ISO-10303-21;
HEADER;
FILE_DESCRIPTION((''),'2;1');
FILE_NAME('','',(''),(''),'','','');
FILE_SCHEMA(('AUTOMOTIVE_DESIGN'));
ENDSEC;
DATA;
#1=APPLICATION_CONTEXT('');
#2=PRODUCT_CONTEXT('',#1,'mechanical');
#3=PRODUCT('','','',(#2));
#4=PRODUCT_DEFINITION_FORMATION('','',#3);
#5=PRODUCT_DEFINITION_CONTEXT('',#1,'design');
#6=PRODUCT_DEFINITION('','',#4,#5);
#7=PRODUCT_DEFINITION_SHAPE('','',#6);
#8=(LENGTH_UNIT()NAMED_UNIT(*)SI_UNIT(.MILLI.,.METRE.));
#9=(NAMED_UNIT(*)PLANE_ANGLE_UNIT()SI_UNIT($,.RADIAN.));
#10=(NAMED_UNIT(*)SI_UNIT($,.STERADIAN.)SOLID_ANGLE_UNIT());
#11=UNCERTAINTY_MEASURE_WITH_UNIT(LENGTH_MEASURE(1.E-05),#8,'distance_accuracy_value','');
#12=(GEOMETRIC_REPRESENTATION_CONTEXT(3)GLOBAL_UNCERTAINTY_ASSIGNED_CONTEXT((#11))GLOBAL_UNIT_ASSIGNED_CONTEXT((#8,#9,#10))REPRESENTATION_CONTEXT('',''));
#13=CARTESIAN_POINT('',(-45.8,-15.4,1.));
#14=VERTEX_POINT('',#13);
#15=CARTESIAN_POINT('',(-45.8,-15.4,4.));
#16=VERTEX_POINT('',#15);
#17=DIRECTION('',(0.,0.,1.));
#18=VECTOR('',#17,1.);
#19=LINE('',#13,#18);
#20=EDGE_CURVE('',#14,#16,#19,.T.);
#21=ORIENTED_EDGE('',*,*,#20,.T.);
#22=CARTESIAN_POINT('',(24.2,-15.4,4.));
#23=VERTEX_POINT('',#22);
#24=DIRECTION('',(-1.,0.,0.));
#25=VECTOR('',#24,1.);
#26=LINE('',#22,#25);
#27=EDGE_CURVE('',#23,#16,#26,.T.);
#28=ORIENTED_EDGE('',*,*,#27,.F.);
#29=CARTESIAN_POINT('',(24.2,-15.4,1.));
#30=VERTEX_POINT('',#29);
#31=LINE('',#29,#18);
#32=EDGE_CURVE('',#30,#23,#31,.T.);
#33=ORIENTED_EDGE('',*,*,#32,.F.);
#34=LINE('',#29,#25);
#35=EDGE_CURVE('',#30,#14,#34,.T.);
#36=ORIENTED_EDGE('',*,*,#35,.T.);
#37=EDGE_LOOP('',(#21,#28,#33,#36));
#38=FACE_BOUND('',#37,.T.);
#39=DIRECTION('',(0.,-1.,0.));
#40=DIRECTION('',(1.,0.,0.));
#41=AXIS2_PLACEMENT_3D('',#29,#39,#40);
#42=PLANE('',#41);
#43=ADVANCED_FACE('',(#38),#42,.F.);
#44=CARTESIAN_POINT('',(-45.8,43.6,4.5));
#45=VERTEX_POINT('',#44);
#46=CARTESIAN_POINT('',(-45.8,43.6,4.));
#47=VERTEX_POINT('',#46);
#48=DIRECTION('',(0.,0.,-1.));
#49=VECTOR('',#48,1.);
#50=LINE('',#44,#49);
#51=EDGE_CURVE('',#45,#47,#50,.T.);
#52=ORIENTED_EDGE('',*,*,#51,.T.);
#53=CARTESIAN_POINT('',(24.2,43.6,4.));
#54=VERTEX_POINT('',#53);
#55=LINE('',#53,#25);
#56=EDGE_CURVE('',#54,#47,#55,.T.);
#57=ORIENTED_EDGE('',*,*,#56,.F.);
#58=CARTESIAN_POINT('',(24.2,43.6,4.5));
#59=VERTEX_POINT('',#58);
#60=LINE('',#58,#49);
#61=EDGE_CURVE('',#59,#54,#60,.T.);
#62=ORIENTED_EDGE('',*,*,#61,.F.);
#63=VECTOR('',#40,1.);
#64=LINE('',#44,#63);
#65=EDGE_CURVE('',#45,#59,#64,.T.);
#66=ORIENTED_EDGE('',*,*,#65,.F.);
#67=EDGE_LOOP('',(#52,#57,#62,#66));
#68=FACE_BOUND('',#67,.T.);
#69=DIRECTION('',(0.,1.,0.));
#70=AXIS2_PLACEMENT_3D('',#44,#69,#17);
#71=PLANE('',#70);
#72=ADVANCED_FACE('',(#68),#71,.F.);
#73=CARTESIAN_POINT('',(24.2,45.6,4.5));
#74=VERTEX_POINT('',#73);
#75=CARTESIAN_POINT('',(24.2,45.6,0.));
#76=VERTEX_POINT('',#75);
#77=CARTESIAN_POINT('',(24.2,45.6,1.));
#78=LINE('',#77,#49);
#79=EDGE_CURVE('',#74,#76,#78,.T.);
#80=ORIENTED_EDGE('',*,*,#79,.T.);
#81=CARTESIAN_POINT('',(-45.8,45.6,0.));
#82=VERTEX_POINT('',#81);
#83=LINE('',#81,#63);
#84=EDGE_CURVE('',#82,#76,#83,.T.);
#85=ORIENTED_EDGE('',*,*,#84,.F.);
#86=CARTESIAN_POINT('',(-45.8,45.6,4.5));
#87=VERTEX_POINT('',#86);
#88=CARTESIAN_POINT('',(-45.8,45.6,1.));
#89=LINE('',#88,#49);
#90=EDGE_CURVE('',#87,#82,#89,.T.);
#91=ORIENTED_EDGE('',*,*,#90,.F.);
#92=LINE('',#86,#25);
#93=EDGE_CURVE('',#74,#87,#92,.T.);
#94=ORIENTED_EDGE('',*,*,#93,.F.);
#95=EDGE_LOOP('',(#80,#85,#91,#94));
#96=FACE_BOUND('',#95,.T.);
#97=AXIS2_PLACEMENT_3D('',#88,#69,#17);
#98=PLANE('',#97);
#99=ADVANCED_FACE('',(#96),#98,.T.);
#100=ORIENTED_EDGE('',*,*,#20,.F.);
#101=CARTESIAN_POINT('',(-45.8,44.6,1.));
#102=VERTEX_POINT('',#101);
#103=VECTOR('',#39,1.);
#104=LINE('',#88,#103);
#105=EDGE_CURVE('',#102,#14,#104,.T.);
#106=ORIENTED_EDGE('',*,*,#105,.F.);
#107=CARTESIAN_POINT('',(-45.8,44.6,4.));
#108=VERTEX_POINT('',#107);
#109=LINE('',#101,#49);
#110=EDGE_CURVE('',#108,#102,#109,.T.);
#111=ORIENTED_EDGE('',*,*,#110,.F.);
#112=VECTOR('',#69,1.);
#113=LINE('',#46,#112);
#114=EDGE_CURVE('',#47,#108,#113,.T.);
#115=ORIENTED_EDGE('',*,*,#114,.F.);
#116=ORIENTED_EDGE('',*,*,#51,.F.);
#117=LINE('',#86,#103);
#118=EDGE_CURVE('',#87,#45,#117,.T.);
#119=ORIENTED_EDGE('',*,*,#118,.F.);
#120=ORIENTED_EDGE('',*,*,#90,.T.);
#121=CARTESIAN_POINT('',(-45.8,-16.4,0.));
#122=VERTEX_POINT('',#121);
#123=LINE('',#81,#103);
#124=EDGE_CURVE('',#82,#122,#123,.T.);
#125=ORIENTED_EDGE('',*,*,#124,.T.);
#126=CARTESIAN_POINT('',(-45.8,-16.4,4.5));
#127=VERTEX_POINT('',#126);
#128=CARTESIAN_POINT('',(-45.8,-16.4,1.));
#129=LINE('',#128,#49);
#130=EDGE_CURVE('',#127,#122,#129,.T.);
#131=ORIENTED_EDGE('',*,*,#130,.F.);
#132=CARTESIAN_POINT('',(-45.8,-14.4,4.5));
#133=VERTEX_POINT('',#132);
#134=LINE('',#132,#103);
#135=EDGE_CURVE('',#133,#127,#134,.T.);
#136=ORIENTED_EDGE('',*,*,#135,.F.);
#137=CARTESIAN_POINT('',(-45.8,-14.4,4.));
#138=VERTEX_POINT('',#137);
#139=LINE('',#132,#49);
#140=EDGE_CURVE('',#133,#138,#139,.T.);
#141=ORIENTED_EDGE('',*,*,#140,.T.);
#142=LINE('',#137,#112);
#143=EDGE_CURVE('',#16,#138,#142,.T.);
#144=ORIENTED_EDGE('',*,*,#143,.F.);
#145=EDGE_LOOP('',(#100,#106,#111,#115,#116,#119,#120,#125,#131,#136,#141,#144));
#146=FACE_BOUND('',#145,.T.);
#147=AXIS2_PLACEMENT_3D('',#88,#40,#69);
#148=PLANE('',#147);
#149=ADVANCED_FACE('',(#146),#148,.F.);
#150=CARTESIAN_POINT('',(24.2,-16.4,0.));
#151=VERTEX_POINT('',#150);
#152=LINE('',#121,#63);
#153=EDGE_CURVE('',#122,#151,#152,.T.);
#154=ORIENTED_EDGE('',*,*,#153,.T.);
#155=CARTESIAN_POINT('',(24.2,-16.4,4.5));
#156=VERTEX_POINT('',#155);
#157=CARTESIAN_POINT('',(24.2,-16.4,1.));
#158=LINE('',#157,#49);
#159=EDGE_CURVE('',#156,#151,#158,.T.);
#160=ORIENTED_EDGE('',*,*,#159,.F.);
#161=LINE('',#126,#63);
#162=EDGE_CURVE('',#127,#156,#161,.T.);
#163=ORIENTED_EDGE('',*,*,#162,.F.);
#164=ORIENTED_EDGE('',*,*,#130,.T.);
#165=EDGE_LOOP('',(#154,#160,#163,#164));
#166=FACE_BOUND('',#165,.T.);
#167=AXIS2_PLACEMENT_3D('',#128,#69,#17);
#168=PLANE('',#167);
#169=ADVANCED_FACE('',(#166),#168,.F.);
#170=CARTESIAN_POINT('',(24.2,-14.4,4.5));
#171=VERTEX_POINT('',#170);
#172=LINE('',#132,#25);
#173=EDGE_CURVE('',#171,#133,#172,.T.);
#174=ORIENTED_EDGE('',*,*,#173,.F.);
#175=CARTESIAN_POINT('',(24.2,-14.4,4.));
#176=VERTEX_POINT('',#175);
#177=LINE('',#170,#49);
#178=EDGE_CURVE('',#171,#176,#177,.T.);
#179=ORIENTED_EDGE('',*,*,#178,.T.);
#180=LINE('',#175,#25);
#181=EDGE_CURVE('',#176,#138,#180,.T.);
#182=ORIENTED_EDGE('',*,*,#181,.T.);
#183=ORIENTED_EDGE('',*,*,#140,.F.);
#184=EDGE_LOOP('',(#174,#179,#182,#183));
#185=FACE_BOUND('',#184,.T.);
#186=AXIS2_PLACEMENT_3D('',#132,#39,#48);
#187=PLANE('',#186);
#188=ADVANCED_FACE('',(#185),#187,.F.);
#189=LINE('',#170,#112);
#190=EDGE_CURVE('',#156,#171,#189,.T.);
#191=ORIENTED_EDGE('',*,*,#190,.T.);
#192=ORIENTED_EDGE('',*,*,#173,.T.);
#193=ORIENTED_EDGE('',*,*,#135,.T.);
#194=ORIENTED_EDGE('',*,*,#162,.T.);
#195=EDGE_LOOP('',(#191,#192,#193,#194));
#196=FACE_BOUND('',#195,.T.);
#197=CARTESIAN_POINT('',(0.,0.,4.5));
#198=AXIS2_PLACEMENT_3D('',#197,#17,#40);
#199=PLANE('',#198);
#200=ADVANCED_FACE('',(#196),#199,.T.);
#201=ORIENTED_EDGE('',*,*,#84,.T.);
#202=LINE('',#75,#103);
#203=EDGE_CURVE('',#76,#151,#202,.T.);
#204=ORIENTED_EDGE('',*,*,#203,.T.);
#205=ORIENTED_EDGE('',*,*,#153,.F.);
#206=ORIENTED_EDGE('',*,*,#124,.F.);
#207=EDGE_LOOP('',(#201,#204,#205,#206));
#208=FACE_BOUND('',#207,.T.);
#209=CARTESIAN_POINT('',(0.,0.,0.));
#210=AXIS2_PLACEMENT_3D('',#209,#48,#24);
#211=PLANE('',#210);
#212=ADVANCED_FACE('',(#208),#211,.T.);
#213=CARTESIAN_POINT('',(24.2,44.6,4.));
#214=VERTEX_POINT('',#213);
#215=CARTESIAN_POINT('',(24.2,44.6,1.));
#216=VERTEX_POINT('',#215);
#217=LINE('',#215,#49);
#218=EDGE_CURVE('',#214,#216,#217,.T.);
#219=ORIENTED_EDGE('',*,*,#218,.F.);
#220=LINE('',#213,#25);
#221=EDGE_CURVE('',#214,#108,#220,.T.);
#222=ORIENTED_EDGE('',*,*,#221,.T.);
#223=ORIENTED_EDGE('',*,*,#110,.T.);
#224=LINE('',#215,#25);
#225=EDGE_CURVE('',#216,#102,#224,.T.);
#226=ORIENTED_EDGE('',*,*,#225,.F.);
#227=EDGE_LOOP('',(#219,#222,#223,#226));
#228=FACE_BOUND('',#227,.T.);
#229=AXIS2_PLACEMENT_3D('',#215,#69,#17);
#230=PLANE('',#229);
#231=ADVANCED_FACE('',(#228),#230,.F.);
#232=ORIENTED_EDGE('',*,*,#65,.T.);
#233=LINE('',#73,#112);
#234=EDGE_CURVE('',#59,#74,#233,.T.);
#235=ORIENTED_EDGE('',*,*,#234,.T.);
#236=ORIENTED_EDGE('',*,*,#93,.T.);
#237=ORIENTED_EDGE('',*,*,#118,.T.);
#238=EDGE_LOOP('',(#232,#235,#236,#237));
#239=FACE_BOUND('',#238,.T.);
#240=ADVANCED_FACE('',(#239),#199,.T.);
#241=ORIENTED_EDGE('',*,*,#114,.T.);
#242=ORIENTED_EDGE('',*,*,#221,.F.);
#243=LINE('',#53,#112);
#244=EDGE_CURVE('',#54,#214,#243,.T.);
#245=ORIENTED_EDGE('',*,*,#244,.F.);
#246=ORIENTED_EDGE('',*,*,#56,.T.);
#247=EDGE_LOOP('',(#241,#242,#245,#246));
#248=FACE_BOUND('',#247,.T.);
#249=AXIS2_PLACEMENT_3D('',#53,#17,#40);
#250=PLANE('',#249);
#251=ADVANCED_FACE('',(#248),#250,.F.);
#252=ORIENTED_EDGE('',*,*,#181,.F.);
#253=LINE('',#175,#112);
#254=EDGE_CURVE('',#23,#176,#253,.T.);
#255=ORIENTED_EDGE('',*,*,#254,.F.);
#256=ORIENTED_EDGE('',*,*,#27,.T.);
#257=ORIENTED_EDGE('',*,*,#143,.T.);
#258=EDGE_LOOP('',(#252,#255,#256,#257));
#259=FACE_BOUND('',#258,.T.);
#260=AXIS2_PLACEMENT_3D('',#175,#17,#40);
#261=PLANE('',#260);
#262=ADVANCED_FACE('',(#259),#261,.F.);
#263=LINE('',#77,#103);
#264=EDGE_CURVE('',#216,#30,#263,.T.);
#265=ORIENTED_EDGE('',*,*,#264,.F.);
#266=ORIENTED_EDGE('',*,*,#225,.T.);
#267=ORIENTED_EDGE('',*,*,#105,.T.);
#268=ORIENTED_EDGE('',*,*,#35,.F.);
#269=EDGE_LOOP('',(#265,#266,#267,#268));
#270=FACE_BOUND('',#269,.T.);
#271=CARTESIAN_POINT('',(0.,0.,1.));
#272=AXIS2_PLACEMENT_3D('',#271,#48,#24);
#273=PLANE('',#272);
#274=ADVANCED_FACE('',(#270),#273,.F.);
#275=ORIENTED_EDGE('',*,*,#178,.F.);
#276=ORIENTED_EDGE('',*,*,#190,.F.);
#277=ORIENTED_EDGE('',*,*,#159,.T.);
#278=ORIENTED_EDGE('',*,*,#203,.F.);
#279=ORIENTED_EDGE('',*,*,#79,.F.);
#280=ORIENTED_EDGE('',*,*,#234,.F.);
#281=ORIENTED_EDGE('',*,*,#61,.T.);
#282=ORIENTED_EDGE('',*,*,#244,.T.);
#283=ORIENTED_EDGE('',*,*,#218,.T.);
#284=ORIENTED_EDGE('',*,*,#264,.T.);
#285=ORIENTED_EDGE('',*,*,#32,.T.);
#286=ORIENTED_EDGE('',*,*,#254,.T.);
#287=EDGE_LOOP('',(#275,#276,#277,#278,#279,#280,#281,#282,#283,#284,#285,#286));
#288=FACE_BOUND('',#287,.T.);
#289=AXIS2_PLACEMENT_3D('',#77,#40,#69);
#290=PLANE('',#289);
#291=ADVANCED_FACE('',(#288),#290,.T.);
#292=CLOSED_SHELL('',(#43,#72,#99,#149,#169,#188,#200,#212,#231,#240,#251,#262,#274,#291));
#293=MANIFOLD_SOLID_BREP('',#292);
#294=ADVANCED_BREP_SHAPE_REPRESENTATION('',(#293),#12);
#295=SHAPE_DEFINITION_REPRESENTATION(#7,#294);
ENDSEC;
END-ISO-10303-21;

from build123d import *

# Parameters (mm, degrees)
SKETCH_1_W          = 70
SKETCH_1_H          = 62
EXTRUDE_1_DEPTH     = 1
SKETCH_2_W          = 70
SKETCH_2_H          = 2
EXTRUDE_2_DEPTH     = 3.5
SKETCH_6_W          = 3
SKETCH_6_H          = 1
CUT_EXTRUDE_1_DEPTH = 71


with BuildPart() as part:
    # 草图1 → 凸台-拉伸1 (new body)
    with BuildSketch(Plane.XY):
        with Locations((-10.8, 14.6)):
            Rectangle(SKETCH_1_W, SKETCH_1_H)
    extrude(amount=EXTRUDE_1_DEPTH)

    # 草图2 → 凸台-拉伸2 (add)
    with BuildSketch(Plane.XY.offset(1)):
        with Locations((-10.8, 44.6)):
            Rectangle(SKETCH_2_W, SKETCH_2_H)
        with Locations((-10.8, -15.4)):
            Rectangle(SKETCH_2_W, SKETCH_2_H)
    extrude(amount=EXTRUDE_2_DEPTH)

    # 草图6 → 切除-拉伸1 (cut, through all)
    with BuildSketch(Plane.ZY.offset(45.8)):
        with Locations((2.5, 44.1)):
            Rectangle(SKETCH_6_W, SKETCH_6_H)
        with Locations((2.5, -14.9)):
            Rectangle(SKETCH_6_W, SKETCH_6_H)
    extrude(amount=-CUT_EXTRUDE_1_DEPTH, mode=Mode.SUBTRACT)


solid = part.part
